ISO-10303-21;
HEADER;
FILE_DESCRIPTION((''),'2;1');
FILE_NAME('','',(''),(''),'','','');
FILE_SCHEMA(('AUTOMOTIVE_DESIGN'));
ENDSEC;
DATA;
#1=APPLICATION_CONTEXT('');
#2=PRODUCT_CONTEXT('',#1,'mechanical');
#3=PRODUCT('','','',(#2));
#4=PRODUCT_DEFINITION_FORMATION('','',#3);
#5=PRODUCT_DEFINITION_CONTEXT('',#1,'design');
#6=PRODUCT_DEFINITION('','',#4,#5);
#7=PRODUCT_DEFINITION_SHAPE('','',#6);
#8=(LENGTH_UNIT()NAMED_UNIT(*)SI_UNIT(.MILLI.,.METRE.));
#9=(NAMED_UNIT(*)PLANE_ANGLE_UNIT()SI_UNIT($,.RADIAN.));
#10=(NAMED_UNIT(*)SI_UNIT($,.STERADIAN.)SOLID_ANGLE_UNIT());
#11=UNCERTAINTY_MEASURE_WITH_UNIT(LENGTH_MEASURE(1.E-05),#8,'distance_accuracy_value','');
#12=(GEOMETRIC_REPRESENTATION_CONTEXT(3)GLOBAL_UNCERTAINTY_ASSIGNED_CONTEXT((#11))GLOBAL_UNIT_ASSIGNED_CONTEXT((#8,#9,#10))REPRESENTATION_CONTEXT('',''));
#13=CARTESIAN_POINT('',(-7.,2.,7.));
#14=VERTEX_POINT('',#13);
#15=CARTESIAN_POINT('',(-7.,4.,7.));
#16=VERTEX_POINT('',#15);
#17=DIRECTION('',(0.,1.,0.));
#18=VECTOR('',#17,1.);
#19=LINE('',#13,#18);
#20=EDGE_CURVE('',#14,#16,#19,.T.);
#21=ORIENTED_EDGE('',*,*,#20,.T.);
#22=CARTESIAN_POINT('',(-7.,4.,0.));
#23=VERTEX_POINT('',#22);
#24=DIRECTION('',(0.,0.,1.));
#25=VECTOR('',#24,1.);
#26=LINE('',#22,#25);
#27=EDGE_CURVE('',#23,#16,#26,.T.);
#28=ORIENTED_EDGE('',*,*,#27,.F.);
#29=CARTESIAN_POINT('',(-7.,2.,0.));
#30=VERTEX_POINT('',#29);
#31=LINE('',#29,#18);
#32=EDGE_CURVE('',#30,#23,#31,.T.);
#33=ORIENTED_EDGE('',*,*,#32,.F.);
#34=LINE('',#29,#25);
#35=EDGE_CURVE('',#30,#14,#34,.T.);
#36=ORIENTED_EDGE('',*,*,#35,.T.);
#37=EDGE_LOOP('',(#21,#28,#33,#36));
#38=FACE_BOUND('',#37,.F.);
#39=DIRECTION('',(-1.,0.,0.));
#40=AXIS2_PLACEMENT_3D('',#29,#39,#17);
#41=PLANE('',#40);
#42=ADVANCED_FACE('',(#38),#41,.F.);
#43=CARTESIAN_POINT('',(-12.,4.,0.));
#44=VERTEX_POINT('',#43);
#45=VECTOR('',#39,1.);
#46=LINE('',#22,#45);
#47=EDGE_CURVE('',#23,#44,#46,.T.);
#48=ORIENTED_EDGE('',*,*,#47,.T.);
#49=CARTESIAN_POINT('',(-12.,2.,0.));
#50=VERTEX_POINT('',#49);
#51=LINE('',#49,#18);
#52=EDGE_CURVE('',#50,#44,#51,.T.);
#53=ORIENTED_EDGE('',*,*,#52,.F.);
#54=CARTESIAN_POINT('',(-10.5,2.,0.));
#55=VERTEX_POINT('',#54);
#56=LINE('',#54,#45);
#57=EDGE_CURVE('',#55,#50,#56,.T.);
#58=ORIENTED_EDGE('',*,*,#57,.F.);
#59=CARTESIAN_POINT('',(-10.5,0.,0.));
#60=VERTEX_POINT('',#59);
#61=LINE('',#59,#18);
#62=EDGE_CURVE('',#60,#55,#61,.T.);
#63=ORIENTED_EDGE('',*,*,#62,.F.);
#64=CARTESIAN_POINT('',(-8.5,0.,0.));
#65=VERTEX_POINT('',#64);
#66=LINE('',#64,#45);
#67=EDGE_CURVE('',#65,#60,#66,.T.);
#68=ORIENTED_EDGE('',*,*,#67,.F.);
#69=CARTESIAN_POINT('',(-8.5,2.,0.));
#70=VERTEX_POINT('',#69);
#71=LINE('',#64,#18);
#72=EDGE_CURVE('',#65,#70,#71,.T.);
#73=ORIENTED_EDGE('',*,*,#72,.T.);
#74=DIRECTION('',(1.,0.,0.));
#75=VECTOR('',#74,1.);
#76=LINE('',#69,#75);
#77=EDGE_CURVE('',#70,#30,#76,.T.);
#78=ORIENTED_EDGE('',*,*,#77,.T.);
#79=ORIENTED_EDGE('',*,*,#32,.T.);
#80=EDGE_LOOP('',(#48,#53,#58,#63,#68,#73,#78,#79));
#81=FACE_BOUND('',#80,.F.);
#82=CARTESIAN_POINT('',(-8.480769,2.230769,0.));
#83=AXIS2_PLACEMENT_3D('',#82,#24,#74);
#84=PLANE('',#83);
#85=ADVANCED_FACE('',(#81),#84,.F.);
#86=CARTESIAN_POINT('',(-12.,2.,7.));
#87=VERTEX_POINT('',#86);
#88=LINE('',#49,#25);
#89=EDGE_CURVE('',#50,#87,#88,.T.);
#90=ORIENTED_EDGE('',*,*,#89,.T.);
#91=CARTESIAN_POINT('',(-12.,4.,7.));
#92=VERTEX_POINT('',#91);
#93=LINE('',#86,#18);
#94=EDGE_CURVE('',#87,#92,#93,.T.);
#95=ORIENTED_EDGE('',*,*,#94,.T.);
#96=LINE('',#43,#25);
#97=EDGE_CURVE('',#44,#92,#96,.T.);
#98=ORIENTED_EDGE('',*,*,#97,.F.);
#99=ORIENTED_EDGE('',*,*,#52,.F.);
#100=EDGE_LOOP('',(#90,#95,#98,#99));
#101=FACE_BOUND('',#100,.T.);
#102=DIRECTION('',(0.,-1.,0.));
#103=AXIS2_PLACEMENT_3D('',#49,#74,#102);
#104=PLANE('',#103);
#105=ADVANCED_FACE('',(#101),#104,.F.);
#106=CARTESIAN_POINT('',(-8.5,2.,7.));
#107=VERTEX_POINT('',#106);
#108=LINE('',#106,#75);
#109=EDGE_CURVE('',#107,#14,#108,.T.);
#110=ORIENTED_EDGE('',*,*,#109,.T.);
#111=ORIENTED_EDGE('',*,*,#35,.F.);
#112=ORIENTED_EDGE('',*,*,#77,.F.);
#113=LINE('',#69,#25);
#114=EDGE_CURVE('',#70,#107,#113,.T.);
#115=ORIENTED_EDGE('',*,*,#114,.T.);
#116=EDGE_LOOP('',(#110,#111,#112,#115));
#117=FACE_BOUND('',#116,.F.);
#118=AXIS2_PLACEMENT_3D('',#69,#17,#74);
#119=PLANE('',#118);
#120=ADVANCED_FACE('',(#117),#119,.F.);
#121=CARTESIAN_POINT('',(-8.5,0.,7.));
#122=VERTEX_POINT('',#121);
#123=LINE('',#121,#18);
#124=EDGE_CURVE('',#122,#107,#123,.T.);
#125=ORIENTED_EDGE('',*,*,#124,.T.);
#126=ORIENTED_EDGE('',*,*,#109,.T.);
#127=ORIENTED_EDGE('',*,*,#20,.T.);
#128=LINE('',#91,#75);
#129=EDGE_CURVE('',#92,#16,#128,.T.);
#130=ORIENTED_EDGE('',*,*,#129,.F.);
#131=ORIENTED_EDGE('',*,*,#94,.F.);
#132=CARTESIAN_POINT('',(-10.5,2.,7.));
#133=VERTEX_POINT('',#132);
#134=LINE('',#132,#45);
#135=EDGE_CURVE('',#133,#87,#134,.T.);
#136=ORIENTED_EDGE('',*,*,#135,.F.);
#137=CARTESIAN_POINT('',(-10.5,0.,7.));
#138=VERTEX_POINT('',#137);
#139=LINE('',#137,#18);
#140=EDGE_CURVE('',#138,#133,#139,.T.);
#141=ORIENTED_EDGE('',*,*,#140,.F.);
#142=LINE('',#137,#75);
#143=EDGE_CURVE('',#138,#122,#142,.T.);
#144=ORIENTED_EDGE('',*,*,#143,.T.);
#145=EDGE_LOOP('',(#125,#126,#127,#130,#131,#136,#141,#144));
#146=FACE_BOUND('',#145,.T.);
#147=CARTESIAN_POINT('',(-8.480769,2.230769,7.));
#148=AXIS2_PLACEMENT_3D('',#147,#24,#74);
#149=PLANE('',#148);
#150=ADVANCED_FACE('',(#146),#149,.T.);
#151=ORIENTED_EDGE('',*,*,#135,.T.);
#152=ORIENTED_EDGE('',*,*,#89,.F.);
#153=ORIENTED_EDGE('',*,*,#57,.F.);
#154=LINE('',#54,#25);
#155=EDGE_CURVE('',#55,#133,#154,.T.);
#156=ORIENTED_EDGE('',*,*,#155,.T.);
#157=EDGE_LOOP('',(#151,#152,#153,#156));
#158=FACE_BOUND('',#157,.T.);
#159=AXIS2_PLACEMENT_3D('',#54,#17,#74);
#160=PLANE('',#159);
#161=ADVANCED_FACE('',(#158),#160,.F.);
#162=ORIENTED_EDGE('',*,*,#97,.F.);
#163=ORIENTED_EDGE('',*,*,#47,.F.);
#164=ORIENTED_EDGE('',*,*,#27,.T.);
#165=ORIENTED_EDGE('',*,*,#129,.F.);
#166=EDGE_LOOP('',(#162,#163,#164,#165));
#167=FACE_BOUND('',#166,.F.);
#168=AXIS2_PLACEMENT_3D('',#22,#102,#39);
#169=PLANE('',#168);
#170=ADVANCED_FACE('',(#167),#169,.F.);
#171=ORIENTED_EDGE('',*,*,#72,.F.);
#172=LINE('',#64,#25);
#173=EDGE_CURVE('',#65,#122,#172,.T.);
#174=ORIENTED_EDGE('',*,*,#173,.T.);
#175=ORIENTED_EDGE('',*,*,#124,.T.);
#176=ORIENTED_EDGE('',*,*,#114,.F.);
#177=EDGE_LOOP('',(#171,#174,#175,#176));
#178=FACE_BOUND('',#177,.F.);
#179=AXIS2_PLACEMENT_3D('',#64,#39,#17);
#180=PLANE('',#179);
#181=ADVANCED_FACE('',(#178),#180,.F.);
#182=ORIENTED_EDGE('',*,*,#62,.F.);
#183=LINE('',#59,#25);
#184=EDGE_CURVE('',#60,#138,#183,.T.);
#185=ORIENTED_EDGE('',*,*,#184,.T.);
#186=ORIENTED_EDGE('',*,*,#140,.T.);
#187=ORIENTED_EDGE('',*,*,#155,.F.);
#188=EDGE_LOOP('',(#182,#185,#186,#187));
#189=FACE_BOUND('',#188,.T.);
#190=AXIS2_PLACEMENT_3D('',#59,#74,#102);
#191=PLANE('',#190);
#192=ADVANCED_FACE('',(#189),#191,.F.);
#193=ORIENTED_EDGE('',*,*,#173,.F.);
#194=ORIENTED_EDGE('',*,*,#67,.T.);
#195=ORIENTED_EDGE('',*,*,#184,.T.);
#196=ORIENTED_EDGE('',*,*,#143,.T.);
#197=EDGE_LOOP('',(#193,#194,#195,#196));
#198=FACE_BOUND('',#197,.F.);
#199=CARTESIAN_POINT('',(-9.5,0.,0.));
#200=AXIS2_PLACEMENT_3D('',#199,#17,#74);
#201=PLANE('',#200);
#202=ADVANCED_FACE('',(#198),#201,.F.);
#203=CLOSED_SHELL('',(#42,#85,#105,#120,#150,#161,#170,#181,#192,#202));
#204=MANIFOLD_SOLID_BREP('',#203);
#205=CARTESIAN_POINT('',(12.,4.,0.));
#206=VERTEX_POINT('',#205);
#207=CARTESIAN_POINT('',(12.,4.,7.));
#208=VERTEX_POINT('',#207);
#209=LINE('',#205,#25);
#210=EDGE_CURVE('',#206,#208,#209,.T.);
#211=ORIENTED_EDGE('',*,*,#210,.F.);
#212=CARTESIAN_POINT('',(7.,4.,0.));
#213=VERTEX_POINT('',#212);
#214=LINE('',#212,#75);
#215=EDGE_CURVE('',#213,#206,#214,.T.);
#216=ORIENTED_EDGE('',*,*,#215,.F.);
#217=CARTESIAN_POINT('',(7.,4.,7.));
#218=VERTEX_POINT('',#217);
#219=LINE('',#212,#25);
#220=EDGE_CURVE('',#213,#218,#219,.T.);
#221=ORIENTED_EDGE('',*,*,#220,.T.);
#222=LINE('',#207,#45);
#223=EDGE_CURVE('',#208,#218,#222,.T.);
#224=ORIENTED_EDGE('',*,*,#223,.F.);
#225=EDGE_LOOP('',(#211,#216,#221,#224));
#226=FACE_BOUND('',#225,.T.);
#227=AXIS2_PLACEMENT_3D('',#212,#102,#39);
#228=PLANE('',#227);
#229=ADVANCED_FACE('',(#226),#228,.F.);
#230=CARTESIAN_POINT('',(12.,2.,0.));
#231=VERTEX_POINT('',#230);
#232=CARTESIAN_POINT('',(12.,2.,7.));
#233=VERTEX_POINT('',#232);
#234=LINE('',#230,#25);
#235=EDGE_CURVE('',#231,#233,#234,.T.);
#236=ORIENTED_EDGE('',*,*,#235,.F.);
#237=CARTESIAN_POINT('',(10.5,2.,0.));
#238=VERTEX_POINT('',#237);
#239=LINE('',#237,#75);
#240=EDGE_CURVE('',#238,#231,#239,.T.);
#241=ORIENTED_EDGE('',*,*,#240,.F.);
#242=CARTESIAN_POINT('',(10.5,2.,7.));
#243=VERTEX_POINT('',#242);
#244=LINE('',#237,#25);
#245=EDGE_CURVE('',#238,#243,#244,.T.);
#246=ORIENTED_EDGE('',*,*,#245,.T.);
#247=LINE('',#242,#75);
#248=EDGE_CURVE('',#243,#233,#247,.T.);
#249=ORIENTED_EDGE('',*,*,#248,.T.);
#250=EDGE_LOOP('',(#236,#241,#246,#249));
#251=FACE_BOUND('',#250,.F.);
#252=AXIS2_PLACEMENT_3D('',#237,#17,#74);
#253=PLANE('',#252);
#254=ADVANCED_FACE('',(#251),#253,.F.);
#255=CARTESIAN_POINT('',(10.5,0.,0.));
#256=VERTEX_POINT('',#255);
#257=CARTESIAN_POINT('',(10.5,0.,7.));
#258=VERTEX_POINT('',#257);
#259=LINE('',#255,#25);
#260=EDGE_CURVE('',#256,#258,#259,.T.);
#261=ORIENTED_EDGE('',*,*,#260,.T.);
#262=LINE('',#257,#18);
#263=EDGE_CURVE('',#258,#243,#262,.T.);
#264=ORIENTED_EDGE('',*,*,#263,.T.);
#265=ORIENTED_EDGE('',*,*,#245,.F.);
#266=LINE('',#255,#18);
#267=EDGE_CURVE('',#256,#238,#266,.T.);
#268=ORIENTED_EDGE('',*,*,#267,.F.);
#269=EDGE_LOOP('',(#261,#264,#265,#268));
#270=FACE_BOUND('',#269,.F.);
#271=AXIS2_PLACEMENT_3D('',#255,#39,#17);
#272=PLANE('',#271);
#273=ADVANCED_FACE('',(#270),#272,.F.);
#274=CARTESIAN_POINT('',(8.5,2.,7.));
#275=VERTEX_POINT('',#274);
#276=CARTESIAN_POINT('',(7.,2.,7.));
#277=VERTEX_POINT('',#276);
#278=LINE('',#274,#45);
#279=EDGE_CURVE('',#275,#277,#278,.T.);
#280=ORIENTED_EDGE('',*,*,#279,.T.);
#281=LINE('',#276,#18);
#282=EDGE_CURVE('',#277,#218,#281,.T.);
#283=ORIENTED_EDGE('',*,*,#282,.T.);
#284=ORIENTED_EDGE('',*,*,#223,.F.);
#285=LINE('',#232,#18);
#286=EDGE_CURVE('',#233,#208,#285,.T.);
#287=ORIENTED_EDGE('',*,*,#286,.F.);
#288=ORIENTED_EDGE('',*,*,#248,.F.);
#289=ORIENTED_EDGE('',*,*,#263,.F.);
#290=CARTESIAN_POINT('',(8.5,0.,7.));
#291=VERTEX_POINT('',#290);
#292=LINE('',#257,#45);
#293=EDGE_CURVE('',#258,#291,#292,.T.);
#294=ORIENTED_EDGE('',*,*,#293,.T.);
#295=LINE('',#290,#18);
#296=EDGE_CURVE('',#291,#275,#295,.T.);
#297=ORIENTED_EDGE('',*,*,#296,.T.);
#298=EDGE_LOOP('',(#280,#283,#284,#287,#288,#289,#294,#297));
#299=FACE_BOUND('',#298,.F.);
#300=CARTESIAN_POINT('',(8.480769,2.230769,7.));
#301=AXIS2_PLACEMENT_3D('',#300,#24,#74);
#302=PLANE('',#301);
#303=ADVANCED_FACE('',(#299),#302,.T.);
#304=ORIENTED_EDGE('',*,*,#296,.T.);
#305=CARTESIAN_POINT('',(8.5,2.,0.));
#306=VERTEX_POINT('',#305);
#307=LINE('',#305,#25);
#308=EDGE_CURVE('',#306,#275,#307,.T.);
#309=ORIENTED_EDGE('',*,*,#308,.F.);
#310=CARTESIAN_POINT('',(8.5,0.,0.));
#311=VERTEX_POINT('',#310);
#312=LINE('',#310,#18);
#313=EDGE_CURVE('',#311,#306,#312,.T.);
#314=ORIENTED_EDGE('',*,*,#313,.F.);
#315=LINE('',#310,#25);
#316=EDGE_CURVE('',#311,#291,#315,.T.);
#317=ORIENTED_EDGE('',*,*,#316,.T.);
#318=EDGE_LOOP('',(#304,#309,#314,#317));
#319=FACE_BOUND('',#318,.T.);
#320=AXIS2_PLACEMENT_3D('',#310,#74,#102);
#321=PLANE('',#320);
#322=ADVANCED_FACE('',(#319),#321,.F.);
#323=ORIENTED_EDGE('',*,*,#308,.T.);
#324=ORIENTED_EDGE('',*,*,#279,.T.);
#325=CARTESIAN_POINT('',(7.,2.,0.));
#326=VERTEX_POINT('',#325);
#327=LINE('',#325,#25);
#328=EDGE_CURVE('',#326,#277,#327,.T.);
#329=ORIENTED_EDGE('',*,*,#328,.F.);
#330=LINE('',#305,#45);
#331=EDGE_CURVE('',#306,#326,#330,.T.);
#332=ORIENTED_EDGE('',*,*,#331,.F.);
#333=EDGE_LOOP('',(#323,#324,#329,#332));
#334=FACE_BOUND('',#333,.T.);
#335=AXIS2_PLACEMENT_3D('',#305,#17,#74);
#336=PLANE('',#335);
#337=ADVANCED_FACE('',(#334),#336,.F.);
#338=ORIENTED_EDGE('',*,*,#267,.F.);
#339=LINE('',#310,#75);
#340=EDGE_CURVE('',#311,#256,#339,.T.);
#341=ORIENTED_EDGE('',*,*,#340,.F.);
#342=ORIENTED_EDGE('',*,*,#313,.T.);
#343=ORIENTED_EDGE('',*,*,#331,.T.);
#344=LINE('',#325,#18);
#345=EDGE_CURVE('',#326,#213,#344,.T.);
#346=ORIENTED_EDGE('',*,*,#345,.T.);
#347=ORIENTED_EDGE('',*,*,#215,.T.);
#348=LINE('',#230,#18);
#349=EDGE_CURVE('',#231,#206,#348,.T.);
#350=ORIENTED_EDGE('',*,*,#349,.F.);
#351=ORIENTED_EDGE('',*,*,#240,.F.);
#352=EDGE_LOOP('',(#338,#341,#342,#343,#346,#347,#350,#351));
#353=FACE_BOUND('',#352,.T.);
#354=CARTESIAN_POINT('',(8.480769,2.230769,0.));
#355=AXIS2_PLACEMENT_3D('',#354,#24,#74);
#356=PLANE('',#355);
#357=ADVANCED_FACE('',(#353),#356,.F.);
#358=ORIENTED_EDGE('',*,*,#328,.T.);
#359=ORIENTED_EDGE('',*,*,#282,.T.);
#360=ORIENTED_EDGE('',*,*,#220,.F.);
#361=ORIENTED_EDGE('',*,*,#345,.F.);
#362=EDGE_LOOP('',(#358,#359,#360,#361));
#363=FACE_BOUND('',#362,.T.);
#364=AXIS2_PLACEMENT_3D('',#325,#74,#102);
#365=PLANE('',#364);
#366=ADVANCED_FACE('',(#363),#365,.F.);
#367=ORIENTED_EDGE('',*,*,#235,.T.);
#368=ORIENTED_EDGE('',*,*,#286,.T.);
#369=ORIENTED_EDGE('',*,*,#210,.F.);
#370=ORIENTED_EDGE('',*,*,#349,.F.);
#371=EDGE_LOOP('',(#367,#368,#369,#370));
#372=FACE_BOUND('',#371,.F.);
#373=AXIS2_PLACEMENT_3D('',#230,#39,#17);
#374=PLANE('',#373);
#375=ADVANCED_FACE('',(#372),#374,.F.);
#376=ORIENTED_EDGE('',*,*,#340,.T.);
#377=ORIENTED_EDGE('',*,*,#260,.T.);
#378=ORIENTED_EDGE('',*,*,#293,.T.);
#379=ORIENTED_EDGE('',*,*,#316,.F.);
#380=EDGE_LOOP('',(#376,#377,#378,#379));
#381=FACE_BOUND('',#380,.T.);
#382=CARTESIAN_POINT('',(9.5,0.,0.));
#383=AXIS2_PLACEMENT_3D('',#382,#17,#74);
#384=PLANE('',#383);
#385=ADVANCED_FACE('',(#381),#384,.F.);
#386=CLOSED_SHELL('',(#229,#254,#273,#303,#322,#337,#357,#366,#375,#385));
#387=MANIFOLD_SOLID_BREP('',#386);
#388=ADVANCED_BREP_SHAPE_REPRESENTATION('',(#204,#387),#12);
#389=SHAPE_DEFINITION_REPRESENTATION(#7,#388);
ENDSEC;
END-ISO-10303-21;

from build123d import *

# Parameters (mm, degrees)
F2_DEPTH = 7


with BuildPart() as f2:
    # F1 (on Top) → F2 (new body)
    with BuildSketch(Plane.XY):
        Polygon((9.5, 0), (10.5, 0), (10.5, 2), (12, 2), (12, 4), (9.5, 4), align=None)
    extrude(amount=F2_DEPTH)

    # F3: F2 across face


with BuildPart() as f2_1:
    add(f2.part)
    add(f2.part.mirror(Plane(origin=(9.5, 2, 3.5), x_dir=(0, -1, 0), z_dir=(-1, 0, 0))))


with BuildPart() as f4_1:
    # F4: instance of F2
    add(f2_1.part.mirror(Plane.YZ))


solid = Compound([f2_1.part, f4_1.part])
